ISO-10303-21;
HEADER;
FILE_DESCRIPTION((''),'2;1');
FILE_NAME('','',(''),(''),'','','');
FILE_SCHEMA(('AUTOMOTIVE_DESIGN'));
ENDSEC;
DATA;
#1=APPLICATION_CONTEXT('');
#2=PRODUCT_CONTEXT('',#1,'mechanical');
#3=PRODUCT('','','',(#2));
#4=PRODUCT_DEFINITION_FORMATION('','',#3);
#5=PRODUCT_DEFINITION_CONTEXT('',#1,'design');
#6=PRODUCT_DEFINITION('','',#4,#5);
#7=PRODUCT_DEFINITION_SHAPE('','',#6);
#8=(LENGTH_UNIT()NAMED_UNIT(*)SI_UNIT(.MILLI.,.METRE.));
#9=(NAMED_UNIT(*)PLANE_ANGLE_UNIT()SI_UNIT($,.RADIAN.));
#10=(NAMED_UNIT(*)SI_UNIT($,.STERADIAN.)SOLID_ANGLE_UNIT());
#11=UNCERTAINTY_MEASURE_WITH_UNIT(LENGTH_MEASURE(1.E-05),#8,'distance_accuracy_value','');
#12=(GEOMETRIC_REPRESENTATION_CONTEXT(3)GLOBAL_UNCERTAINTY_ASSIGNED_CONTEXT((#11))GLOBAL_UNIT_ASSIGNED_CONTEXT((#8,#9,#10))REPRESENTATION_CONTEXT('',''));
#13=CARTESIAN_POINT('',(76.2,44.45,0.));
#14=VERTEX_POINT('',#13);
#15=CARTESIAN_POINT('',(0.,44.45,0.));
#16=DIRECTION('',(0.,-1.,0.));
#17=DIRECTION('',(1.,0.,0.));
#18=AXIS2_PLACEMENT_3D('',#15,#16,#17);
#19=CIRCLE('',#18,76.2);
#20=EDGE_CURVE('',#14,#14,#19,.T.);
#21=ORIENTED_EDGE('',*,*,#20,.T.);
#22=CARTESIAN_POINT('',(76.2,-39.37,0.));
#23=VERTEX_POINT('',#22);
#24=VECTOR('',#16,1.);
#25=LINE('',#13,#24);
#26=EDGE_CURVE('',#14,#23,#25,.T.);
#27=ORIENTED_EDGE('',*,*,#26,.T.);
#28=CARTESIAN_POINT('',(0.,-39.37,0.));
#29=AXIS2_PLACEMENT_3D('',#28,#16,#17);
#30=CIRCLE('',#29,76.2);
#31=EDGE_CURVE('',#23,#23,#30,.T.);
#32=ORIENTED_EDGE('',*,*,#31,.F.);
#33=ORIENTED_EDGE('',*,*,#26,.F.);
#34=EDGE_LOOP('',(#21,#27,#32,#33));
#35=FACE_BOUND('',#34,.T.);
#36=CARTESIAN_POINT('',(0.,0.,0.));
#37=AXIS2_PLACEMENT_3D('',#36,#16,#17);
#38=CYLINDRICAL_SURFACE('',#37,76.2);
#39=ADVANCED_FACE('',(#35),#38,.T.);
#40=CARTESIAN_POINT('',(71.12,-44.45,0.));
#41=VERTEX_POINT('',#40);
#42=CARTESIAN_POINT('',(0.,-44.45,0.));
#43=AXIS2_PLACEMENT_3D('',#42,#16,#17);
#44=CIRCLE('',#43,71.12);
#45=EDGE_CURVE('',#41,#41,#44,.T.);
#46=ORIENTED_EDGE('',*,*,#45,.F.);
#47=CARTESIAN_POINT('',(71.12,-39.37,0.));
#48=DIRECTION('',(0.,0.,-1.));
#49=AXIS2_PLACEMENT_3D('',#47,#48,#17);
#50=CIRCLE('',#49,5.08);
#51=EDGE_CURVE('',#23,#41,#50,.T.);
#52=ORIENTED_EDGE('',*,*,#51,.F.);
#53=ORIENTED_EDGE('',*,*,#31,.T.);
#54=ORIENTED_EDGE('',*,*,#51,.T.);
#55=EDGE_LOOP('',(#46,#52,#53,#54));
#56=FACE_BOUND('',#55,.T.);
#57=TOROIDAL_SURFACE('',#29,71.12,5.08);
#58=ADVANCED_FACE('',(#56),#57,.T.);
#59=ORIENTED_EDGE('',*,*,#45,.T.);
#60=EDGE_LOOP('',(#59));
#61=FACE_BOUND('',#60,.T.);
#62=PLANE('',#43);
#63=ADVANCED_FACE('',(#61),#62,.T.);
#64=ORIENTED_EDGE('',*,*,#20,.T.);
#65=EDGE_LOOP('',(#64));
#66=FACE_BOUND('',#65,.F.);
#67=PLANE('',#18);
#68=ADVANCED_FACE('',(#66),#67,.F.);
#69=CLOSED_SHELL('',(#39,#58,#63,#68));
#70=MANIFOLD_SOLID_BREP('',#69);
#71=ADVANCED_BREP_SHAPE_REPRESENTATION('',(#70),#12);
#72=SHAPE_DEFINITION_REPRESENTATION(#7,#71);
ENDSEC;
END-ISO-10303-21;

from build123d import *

# Parameters (mm, degrees)
F0_R     = 76.2
F1_DEPTH = 44.45
F2_R     = 5.08


with BuildPart() as f1:
    # F0 (on Front) → F1 (new body, symmetric)
    with BuildSketch(Plane.XZ):
        Circle(F0_R)
    extrude(amount=F1_DEPTH, both=True)

    # F2
    f2_edges = [f1.edges().sort_by_distance(p)[0] for p in [
        (-76.2, -44.45, 0),
    ]]
    fillet(f2_edges, radius=F2_R)


solid = f1.part
